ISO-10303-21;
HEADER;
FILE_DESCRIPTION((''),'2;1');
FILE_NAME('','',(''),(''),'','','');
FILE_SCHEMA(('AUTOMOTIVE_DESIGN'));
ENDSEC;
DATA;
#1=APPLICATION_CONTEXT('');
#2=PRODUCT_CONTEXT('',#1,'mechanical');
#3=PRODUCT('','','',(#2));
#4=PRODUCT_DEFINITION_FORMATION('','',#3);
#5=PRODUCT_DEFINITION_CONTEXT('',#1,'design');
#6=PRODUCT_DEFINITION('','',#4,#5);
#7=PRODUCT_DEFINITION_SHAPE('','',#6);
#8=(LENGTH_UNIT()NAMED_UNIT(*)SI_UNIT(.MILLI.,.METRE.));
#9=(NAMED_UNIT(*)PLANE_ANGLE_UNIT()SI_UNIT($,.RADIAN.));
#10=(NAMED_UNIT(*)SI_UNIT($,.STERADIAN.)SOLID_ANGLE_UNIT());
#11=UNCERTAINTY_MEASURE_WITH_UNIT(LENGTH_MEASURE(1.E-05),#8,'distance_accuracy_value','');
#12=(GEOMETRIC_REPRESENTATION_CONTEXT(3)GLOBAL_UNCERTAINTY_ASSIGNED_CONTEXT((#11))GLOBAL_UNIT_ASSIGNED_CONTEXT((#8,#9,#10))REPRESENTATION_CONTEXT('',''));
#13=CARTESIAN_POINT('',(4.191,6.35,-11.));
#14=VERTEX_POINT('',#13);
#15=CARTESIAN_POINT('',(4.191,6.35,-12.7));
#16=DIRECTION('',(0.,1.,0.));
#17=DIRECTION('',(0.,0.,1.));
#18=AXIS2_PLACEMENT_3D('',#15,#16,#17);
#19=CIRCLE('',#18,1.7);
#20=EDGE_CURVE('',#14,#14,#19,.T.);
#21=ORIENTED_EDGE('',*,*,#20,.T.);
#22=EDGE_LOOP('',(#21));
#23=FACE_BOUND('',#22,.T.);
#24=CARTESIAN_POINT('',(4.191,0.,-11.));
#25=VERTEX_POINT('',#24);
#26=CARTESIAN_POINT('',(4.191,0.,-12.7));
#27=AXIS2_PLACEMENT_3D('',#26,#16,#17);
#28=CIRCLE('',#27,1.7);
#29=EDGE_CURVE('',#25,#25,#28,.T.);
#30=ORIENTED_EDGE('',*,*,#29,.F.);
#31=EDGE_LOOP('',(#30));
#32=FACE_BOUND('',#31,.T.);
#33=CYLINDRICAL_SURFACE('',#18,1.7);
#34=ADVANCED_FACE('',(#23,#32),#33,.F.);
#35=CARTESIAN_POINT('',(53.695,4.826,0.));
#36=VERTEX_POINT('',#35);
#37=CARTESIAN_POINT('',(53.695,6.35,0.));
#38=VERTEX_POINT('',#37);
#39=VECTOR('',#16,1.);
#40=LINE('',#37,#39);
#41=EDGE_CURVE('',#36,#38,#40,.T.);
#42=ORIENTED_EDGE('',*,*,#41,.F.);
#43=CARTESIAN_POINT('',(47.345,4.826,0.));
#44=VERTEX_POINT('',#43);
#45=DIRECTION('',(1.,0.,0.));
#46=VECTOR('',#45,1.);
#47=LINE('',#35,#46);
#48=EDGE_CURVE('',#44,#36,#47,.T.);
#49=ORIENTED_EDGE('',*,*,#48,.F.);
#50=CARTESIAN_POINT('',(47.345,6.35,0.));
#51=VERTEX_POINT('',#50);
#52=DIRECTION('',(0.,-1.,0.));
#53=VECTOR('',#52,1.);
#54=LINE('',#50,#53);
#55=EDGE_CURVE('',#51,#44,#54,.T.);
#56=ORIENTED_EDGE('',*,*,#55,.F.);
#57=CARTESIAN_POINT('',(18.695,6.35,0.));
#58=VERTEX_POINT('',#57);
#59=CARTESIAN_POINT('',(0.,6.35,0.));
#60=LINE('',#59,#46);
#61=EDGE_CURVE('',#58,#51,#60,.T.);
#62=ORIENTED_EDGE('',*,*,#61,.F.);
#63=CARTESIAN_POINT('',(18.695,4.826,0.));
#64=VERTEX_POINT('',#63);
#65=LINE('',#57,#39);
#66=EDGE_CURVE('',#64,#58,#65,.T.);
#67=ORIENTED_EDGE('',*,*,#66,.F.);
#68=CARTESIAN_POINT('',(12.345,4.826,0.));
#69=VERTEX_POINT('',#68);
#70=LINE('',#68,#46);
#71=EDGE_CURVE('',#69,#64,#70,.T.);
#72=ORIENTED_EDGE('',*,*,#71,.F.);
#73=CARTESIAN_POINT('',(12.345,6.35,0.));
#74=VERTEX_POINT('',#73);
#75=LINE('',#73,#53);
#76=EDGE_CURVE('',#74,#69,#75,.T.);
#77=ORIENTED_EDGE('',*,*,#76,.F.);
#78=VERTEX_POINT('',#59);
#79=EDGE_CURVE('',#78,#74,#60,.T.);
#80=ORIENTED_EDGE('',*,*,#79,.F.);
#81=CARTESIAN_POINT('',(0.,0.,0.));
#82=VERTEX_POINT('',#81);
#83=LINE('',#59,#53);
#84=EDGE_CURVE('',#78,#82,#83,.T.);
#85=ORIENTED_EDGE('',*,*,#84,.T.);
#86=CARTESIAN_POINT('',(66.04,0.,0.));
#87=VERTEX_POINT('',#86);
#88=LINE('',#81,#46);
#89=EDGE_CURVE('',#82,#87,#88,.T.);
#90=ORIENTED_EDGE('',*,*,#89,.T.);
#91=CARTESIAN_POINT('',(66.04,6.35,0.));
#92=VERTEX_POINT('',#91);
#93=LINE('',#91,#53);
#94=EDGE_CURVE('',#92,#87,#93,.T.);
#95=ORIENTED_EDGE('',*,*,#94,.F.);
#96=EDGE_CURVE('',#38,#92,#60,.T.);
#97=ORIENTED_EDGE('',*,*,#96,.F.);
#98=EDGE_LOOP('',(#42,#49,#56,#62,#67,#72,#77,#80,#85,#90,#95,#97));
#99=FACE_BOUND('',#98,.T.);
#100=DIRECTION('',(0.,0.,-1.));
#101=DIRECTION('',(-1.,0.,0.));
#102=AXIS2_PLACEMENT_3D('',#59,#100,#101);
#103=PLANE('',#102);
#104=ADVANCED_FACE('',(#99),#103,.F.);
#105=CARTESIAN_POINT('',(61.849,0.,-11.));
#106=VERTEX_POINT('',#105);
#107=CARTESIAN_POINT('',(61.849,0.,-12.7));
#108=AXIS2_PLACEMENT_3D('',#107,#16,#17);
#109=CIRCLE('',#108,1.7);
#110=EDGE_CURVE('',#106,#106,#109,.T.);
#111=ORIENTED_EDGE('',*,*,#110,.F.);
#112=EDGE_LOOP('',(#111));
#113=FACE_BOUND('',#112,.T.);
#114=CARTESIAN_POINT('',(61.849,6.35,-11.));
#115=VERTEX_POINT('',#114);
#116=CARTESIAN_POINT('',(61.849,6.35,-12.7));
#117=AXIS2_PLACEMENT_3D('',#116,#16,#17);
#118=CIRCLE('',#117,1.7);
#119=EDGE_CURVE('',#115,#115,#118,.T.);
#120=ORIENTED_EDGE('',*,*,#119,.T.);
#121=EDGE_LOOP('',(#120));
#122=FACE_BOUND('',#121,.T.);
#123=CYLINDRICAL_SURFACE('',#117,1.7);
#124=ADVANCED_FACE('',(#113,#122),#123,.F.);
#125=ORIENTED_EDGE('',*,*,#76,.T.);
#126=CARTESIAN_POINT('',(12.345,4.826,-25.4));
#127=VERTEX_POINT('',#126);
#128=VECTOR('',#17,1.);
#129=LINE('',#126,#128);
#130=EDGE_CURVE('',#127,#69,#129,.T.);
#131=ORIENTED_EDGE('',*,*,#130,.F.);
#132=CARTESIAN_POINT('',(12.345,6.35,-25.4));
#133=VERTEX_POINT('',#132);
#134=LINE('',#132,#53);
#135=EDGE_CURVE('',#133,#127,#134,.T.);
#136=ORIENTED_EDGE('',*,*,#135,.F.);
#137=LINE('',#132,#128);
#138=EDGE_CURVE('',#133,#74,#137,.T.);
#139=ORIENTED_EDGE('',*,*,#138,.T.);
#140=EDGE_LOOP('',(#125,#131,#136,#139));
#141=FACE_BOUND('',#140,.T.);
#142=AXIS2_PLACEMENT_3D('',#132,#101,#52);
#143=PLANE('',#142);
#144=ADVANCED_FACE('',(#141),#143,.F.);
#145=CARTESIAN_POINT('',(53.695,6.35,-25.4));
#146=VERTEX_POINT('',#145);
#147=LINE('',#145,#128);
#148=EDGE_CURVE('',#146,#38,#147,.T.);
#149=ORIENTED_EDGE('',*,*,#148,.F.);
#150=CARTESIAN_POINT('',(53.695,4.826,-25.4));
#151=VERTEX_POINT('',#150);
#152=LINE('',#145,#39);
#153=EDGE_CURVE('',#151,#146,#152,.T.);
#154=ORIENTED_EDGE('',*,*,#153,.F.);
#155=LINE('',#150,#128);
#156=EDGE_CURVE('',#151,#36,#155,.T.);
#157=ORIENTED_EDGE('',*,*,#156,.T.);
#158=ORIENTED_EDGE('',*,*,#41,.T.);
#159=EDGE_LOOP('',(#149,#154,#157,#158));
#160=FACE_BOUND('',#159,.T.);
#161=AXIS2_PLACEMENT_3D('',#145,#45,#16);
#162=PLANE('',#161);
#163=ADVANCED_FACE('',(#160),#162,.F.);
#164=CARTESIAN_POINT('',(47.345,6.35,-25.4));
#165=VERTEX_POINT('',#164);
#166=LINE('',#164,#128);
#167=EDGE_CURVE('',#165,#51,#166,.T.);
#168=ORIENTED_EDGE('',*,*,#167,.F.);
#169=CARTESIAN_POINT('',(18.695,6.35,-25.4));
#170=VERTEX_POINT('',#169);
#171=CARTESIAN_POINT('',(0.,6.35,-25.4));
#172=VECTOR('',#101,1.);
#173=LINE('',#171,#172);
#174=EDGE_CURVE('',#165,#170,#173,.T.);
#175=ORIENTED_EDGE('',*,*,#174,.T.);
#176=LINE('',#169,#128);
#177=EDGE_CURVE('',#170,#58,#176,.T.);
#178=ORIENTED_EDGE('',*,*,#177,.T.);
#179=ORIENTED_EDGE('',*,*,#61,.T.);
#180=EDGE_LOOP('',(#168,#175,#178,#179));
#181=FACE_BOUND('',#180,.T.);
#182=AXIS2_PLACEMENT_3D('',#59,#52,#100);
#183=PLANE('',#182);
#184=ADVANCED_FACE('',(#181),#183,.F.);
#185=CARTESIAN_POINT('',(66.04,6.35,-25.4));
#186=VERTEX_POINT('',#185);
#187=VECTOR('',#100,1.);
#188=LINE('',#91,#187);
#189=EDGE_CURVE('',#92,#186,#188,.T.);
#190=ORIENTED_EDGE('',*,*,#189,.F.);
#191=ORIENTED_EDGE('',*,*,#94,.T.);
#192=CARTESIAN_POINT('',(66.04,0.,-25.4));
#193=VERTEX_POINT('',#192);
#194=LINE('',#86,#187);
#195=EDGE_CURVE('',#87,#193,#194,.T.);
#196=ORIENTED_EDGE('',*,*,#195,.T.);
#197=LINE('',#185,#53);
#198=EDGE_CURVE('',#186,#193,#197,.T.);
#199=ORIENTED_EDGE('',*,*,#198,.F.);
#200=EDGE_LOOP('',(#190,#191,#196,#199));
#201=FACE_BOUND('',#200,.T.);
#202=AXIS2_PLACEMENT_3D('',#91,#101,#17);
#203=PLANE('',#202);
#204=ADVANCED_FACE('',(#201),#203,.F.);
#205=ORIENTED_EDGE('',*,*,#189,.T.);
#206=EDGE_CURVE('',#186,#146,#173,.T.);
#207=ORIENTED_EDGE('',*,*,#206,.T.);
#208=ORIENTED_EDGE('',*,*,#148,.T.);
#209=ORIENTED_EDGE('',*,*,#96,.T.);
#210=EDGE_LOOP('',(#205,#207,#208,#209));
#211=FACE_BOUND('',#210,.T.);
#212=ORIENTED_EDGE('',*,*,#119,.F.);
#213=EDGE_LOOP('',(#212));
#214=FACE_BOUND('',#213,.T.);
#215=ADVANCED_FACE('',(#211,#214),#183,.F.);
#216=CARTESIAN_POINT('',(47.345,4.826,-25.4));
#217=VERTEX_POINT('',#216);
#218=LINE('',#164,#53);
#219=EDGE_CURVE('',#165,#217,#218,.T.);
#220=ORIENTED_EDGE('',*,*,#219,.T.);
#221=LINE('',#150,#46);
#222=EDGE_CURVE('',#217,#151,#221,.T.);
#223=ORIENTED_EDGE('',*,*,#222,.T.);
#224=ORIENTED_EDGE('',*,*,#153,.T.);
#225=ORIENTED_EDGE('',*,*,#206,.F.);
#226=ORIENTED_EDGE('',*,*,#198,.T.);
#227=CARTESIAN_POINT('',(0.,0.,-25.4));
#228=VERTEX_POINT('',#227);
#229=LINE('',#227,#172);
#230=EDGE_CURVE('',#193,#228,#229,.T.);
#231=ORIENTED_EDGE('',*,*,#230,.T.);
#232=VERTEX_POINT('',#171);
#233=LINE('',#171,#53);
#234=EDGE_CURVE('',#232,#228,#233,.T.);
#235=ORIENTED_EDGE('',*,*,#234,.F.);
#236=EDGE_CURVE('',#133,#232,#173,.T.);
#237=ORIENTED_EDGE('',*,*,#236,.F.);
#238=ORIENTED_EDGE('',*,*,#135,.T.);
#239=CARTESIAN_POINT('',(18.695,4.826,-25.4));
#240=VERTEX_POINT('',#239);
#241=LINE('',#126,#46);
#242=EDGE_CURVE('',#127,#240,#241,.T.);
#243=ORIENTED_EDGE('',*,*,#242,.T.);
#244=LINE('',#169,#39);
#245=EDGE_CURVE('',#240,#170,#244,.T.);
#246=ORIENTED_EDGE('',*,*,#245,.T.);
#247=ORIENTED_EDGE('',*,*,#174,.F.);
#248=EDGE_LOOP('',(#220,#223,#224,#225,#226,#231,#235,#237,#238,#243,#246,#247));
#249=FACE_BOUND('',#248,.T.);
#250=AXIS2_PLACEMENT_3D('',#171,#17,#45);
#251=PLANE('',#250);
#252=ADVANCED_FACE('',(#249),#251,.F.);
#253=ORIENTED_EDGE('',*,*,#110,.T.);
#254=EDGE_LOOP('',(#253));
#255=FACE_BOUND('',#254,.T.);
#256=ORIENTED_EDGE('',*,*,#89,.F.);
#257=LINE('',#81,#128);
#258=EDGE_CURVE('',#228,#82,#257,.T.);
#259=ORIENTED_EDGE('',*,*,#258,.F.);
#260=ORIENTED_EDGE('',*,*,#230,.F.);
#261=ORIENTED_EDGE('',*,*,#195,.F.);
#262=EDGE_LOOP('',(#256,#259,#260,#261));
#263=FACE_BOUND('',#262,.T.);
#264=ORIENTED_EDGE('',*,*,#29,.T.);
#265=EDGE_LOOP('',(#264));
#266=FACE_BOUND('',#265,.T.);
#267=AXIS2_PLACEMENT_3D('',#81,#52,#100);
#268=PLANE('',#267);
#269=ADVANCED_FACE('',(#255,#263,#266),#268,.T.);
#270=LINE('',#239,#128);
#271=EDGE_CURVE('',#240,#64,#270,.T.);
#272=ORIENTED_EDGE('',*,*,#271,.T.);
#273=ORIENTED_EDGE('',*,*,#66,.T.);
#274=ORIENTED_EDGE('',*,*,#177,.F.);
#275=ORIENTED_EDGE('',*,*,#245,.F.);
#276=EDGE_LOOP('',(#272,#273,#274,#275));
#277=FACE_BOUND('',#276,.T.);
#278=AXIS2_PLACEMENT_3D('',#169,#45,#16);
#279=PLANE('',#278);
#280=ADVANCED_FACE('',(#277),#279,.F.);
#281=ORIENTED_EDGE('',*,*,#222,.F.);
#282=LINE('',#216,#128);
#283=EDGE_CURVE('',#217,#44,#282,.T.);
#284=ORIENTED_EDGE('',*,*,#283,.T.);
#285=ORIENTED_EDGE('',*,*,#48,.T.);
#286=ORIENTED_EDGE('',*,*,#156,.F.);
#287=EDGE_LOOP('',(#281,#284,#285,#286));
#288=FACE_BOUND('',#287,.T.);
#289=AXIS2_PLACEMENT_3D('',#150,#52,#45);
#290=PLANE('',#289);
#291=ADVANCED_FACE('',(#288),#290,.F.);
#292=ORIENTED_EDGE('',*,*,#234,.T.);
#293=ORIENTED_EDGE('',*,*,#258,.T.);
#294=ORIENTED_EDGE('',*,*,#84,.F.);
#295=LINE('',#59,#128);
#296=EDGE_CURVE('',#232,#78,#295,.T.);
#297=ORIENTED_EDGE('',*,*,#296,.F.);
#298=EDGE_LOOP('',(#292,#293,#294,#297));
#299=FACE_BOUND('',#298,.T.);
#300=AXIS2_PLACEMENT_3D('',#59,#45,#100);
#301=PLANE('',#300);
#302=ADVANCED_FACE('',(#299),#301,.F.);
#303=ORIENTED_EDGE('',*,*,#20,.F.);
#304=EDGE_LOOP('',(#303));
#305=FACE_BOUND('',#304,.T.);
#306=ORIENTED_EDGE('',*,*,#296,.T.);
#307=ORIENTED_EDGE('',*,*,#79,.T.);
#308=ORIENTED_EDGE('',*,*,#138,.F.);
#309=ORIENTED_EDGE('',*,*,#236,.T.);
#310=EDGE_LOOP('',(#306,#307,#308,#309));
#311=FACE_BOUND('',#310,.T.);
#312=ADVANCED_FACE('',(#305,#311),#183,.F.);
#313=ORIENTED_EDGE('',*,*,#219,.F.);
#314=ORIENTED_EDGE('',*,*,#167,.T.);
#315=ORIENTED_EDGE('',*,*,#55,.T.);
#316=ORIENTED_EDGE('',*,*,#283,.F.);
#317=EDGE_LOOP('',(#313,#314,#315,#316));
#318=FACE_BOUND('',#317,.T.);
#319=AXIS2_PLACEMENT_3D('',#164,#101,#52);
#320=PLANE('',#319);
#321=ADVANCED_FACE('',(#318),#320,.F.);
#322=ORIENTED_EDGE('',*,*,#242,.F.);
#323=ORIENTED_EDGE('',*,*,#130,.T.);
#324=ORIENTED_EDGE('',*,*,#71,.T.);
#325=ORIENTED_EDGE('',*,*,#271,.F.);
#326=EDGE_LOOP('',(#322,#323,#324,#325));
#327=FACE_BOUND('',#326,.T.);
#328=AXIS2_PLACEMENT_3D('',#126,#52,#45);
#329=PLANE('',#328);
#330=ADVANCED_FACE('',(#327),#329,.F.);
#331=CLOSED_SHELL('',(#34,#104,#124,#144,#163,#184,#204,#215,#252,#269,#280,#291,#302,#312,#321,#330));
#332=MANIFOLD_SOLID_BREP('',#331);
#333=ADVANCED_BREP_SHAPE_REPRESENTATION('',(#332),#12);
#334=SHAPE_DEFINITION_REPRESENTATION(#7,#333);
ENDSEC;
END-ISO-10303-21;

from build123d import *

# Parameters (mm, degrees)
SKETCH1_W            = 66.04
SKETCH1_H            = 25.4
BOSS_EXTRUDE1_DEPTH  = 6.35
M3_CLEARANCE_HOLE1_D = 3.4
SKETCH5_W            = 6.35
SKETCH5_H            = 1.524
CUT_EXTRUDE1_DEPTH   = 72.040580656


with BuildPart() as part:
    # Sketch1 → Boss-Extrude1 (new body)
    with BuildSketch(Plane(origin=(0, 0, 0), x_dir=(1, 0, 0), z_dir=(0, 1, 0))):
        with Locations((33.02, 12.7)):
            Rectangle(SKETCH1_W, SKETCH1_H)
    extrude(amount=BOSS_EXTRUDE1_DEPTH)

    # M3 Clearance Hole1 (through all)
    with Locations(Plane(origin=(0, 6.35, 0), x_dir=(1, 0, 0), z_dir=(0, 1, 0))):
        with Locations((4.191, 12.7), (61.849, 12.7)):
            Hole(M3_CLEARANCE_HOLE1_D / 2)

    # Sketch5 → Cut-Extrude1 (cut, through all)
    with BuildSketch(Plane.XY):
        with Locations((50.52, 5.588)):
            Rectangle(SKETCH5_W, SKETCH5_H)
        with Locations((15.52, 5.588)):
            Rectangle(SKETCH5_W, SKETCH5_H)
    extrude(amount=-CUT_EXTRUDE1_DEPTH, mode=Mode.SUBTRACT)


solid = part.part
